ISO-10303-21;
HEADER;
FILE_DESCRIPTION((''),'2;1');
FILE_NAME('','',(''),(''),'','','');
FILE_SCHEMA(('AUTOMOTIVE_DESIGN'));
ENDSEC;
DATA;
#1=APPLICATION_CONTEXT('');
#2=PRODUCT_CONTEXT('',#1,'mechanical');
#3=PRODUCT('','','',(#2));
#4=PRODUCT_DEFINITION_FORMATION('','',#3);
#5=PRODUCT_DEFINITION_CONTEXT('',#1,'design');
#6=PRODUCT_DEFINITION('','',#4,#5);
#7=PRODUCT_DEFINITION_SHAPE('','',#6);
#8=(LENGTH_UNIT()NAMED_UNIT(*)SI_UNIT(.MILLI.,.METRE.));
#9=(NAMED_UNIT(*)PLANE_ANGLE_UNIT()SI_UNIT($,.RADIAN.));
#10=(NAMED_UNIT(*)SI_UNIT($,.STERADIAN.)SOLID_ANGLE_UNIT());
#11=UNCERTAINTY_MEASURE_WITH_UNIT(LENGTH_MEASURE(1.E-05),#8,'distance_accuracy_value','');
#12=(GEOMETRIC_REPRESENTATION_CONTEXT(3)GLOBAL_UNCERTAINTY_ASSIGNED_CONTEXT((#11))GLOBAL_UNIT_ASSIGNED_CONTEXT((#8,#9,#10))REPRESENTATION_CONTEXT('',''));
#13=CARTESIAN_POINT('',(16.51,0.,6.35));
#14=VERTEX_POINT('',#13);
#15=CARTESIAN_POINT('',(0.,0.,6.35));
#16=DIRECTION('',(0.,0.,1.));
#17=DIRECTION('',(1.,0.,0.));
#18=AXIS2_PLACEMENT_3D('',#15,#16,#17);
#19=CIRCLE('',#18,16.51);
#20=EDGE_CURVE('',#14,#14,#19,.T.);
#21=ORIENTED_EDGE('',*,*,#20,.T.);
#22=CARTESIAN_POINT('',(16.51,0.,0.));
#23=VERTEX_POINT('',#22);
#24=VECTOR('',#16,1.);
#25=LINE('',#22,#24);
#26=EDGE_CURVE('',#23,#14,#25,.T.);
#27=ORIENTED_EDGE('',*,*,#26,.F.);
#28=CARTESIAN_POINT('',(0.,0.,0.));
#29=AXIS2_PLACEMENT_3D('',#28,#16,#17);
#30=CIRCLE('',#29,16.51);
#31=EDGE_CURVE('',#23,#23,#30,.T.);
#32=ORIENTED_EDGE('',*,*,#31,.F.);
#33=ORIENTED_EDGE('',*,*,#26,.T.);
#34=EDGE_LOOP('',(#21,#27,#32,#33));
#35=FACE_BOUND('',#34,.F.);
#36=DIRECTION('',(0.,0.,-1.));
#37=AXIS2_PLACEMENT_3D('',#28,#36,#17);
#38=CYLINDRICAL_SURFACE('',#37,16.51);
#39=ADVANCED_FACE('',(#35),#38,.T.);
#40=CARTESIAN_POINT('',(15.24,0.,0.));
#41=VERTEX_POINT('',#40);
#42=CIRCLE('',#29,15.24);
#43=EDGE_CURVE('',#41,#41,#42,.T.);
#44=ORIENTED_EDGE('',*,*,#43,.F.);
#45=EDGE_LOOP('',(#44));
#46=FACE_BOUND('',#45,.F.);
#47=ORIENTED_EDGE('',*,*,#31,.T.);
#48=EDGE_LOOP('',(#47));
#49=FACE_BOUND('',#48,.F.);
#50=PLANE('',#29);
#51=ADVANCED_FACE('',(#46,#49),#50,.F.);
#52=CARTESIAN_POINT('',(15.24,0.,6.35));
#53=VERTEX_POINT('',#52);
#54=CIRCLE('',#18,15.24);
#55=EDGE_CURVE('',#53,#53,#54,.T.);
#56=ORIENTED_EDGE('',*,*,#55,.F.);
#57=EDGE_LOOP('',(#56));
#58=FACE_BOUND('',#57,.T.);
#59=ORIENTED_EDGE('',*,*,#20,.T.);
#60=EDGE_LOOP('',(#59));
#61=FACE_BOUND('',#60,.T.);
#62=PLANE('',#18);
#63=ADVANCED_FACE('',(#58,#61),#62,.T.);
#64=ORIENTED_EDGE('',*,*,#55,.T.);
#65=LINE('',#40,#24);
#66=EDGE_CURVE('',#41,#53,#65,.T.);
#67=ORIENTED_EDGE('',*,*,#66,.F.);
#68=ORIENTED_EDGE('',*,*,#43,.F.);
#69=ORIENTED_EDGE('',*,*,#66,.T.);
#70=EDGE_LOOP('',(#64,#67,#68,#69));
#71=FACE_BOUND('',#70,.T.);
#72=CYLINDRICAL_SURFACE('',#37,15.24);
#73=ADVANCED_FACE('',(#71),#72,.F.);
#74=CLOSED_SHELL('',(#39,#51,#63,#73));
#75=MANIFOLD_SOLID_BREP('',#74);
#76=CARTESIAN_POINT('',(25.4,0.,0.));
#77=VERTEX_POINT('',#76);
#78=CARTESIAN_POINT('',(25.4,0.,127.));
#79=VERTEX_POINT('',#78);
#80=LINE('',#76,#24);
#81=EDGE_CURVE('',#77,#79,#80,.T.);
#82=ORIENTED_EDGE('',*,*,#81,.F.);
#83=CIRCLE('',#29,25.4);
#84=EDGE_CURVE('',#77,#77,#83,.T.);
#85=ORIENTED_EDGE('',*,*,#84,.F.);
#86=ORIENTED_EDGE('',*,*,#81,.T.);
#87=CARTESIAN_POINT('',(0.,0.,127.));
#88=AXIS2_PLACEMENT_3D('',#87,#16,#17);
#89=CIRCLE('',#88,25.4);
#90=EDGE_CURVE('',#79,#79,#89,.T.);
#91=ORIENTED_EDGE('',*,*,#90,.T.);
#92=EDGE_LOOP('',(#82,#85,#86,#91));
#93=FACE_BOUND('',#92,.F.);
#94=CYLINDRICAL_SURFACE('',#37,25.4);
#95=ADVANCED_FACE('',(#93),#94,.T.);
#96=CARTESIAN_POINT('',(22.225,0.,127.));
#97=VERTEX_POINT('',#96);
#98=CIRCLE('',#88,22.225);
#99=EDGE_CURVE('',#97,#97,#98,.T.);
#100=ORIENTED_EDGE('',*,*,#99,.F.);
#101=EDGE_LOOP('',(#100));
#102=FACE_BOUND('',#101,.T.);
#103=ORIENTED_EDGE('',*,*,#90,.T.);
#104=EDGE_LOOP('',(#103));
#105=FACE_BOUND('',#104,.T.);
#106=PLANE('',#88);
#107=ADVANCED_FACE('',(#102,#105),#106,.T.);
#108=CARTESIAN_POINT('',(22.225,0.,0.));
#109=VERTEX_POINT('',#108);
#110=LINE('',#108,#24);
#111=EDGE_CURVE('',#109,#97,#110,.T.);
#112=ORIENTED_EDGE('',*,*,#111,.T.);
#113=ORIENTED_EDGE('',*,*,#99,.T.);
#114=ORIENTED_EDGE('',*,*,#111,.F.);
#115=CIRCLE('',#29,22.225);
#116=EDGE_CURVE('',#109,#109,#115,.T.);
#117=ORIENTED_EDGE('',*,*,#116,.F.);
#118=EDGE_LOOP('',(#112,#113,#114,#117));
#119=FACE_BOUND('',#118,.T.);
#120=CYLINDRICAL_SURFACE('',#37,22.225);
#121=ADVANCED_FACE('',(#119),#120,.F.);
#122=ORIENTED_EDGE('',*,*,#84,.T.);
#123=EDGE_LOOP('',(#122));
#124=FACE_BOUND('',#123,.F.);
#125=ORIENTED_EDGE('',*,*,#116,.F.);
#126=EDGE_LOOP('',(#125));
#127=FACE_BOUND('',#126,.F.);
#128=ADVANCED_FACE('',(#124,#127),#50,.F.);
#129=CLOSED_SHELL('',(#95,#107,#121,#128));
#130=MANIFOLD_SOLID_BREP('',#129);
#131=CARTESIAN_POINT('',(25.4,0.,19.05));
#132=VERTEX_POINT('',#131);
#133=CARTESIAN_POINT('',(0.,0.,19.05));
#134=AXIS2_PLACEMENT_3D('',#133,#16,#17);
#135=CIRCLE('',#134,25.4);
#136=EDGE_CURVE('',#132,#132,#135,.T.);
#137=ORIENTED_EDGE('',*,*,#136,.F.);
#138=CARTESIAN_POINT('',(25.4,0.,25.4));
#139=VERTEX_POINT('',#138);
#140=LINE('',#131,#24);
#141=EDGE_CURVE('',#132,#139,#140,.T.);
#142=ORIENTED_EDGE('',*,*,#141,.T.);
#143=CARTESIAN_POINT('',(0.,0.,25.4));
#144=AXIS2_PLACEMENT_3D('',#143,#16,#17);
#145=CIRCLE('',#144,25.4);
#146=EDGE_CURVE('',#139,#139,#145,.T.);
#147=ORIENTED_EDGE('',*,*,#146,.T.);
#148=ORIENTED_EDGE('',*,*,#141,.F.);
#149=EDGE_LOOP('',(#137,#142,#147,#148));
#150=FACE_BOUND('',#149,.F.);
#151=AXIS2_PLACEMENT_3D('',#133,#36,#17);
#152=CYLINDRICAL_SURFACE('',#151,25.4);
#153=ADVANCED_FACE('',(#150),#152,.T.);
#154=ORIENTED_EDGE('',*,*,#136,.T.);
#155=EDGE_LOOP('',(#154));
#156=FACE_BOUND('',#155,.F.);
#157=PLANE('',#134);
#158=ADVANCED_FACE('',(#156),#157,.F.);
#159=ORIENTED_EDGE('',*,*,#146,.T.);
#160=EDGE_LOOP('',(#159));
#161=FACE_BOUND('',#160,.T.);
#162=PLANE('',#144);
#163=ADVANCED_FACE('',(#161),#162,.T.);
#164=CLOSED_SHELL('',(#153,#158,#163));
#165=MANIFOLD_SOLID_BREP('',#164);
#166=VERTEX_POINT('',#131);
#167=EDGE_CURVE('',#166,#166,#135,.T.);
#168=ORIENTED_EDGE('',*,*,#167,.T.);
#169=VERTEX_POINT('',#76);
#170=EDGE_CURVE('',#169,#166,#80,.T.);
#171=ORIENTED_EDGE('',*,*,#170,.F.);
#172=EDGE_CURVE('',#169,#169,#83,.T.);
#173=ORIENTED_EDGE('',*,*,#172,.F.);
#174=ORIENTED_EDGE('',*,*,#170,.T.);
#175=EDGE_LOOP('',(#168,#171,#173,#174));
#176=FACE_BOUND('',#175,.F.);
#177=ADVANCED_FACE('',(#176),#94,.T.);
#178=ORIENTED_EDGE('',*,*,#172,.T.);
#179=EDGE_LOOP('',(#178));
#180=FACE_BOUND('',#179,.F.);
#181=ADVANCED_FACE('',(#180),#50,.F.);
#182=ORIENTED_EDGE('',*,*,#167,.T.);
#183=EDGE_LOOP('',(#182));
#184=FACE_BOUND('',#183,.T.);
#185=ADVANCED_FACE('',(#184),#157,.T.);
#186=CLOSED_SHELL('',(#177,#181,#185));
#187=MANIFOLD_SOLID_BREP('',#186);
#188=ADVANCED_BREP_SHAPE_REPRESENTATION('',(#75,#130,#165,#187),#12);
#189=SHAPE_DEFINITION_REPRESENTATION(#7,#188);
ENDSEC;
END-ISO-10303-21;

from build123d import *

# Parameters (mm, degrees)
F0_R      = 25.4
F1_DEPTH  = 19.05
F2_R      = 25.4
F2_R_2    = 22.225
F3_DEPTH  = 127
F4_R      = 16.51
F4_R_2    = 15.24
F1_FACE_R = 25.4
F5_DEPTH  = 6.35


with BuildPart() as f1:
    # F0 (on Top) → F1 (new body)
    with BuildSketch(Plane.XY):
        Circle(F0_R)
    extrude(amount=F1_DEPTH)


with BuildPart() as f3:
    # F2 (on Top) → F3 (new body)
    with BuildSketch(Plane.XY):
        Circle(F2_R)
        Circle(F2_R_2, mode=Mode.SUBTRACT)
    extrude(amount=F3_DEPTH)


with BuildPart() as f5:
    # F4 (on Top) + F1_face (on face) → F5 (new body)
    with BuildSketch(Plane.XY):
        Circle(F4_R)
        Circle(F4_R_2, mode=Mode.SUBTRACT)
    with BuildSketch(Plane.XY.offset(19.05)):
        Circle(F1_FACE_R)
    extrude(amount=F5_DEPTH)


solid = Compound([f1.part, f3.part, f5.part])
